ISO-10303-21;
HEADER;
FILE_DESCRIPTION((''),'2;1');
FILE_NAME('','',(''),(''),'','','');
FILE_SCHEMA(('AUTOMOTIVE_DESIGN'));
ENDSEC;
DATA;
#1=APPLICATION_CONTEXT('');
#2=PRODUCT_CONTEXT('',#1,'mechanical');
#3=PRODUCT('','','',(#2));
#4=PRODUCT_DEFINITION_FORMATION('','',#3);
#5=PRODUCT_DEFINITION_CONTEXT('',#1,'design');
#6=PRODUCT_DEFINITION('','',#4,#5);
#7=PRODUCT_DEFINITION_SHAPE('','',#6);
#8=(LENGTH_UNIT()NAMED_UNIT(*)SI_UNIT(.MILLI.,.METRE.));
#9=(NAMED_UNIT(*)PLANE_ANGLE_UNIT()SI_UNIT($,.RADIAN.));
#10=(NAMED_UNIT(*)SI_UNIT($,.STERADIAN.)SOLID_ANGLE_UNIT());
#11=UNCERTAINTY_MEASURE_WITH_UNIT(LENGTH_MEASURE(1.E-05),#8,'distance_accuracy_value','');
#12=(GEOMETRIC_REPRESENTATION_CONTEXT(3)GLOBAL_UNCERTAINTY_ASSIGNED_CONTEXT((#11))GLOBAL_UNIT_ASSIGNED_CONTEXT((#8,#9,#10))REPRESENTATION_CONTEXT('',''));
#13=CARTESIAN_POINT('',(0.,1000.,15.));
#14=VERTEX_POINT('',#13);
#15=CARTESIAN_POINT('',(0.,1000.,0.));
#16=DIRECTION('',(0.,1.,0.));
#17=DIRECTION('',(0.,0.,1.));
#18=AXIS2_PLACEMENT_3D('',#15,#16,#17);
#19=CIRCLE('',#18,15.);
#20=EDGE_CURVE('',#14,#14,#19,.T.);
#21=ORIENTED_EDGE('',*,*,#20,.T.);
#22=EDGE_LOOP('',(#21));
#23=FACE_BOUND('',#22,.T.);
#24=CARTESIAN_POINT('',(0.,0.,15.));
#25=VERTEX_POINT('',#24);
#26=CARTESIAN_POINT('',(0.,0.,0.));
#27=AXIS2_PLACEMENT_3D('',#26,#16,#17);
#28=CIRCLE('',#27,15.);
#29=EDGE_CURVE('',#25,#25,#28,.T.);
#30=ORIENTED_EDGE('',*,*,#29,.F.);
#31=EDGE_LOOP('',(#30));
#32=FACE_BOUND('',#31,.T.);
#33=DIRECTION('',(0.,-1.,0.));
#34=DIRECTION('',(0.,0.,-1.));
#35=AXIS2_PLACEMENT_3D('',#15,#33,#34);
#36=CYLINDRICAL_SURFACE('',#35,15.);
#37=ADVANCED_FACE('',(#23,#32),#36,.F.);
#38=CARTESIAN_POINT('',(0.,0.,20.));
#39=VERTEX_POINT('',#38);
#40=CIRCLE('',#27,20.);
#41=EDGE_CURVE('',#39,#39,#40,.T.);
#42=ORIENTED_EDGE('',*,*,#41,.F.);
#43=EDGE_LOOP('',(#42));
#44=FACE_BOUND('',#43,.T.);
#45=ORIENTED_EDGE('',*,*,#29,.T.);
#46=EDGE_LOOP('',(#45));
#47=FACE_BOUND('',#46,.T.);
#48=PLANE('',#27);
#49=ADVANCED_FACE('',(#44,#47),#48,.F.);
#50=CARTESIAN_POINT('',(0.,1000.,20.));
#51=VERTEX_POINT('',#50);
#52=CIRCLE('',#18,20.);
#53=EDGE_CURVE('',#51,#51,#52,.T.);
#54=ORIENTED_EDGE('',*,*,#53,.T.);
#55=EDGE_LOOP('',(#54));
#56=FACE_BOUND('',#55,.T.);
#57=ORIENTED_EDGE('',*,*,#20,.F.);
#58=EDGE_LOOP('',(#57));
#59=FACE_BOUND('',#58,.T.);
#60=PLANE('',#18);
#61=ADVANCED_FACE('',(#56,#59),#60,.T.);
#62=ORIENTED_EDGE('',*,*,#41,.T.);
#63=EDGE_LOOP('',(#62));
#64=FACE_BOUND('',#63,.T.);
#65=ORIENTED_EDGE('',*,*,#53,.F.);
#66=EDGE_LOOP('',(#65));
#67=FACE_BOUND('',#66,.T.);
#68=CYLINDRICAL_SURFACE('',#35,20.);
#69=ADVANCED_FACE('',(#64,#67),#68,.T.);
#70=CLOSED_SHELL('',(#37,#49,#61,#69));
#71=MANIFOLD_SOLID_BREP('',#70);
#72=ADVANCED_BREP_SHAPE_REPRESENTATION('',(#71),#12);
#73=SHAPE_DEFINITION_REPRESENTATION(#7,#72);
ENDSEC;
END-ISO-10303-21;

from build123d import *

# Parameters (mm, degrees)
SKETCH1_R      = 20
SKETCH1_R_2    = 15
EXTRUDE1_DEPTH = 1000


with BuildPart() as part:
    # Sketch1 → Extrude1 (new body)
    with BuildSketch(Plane(origin=(0, 0, 0), x_dir=(1, 0, 0), z_dir=(0, 1, 0))):
        with Locations(Location((0, 0, 0), (0, 0, 270))):  # turned: the seam where the file's is
            Circle(SKETCH1_R)
        with Locations(Location((0, 0, 0), (0, 0, 270))):  # turned: the seam where the file's is
            Circle(SKETCH1_R_2, mode=Mode.SUBTRACT)
    extrude(amount=EXTRUDE1_DEPTH)


solid = part.part
